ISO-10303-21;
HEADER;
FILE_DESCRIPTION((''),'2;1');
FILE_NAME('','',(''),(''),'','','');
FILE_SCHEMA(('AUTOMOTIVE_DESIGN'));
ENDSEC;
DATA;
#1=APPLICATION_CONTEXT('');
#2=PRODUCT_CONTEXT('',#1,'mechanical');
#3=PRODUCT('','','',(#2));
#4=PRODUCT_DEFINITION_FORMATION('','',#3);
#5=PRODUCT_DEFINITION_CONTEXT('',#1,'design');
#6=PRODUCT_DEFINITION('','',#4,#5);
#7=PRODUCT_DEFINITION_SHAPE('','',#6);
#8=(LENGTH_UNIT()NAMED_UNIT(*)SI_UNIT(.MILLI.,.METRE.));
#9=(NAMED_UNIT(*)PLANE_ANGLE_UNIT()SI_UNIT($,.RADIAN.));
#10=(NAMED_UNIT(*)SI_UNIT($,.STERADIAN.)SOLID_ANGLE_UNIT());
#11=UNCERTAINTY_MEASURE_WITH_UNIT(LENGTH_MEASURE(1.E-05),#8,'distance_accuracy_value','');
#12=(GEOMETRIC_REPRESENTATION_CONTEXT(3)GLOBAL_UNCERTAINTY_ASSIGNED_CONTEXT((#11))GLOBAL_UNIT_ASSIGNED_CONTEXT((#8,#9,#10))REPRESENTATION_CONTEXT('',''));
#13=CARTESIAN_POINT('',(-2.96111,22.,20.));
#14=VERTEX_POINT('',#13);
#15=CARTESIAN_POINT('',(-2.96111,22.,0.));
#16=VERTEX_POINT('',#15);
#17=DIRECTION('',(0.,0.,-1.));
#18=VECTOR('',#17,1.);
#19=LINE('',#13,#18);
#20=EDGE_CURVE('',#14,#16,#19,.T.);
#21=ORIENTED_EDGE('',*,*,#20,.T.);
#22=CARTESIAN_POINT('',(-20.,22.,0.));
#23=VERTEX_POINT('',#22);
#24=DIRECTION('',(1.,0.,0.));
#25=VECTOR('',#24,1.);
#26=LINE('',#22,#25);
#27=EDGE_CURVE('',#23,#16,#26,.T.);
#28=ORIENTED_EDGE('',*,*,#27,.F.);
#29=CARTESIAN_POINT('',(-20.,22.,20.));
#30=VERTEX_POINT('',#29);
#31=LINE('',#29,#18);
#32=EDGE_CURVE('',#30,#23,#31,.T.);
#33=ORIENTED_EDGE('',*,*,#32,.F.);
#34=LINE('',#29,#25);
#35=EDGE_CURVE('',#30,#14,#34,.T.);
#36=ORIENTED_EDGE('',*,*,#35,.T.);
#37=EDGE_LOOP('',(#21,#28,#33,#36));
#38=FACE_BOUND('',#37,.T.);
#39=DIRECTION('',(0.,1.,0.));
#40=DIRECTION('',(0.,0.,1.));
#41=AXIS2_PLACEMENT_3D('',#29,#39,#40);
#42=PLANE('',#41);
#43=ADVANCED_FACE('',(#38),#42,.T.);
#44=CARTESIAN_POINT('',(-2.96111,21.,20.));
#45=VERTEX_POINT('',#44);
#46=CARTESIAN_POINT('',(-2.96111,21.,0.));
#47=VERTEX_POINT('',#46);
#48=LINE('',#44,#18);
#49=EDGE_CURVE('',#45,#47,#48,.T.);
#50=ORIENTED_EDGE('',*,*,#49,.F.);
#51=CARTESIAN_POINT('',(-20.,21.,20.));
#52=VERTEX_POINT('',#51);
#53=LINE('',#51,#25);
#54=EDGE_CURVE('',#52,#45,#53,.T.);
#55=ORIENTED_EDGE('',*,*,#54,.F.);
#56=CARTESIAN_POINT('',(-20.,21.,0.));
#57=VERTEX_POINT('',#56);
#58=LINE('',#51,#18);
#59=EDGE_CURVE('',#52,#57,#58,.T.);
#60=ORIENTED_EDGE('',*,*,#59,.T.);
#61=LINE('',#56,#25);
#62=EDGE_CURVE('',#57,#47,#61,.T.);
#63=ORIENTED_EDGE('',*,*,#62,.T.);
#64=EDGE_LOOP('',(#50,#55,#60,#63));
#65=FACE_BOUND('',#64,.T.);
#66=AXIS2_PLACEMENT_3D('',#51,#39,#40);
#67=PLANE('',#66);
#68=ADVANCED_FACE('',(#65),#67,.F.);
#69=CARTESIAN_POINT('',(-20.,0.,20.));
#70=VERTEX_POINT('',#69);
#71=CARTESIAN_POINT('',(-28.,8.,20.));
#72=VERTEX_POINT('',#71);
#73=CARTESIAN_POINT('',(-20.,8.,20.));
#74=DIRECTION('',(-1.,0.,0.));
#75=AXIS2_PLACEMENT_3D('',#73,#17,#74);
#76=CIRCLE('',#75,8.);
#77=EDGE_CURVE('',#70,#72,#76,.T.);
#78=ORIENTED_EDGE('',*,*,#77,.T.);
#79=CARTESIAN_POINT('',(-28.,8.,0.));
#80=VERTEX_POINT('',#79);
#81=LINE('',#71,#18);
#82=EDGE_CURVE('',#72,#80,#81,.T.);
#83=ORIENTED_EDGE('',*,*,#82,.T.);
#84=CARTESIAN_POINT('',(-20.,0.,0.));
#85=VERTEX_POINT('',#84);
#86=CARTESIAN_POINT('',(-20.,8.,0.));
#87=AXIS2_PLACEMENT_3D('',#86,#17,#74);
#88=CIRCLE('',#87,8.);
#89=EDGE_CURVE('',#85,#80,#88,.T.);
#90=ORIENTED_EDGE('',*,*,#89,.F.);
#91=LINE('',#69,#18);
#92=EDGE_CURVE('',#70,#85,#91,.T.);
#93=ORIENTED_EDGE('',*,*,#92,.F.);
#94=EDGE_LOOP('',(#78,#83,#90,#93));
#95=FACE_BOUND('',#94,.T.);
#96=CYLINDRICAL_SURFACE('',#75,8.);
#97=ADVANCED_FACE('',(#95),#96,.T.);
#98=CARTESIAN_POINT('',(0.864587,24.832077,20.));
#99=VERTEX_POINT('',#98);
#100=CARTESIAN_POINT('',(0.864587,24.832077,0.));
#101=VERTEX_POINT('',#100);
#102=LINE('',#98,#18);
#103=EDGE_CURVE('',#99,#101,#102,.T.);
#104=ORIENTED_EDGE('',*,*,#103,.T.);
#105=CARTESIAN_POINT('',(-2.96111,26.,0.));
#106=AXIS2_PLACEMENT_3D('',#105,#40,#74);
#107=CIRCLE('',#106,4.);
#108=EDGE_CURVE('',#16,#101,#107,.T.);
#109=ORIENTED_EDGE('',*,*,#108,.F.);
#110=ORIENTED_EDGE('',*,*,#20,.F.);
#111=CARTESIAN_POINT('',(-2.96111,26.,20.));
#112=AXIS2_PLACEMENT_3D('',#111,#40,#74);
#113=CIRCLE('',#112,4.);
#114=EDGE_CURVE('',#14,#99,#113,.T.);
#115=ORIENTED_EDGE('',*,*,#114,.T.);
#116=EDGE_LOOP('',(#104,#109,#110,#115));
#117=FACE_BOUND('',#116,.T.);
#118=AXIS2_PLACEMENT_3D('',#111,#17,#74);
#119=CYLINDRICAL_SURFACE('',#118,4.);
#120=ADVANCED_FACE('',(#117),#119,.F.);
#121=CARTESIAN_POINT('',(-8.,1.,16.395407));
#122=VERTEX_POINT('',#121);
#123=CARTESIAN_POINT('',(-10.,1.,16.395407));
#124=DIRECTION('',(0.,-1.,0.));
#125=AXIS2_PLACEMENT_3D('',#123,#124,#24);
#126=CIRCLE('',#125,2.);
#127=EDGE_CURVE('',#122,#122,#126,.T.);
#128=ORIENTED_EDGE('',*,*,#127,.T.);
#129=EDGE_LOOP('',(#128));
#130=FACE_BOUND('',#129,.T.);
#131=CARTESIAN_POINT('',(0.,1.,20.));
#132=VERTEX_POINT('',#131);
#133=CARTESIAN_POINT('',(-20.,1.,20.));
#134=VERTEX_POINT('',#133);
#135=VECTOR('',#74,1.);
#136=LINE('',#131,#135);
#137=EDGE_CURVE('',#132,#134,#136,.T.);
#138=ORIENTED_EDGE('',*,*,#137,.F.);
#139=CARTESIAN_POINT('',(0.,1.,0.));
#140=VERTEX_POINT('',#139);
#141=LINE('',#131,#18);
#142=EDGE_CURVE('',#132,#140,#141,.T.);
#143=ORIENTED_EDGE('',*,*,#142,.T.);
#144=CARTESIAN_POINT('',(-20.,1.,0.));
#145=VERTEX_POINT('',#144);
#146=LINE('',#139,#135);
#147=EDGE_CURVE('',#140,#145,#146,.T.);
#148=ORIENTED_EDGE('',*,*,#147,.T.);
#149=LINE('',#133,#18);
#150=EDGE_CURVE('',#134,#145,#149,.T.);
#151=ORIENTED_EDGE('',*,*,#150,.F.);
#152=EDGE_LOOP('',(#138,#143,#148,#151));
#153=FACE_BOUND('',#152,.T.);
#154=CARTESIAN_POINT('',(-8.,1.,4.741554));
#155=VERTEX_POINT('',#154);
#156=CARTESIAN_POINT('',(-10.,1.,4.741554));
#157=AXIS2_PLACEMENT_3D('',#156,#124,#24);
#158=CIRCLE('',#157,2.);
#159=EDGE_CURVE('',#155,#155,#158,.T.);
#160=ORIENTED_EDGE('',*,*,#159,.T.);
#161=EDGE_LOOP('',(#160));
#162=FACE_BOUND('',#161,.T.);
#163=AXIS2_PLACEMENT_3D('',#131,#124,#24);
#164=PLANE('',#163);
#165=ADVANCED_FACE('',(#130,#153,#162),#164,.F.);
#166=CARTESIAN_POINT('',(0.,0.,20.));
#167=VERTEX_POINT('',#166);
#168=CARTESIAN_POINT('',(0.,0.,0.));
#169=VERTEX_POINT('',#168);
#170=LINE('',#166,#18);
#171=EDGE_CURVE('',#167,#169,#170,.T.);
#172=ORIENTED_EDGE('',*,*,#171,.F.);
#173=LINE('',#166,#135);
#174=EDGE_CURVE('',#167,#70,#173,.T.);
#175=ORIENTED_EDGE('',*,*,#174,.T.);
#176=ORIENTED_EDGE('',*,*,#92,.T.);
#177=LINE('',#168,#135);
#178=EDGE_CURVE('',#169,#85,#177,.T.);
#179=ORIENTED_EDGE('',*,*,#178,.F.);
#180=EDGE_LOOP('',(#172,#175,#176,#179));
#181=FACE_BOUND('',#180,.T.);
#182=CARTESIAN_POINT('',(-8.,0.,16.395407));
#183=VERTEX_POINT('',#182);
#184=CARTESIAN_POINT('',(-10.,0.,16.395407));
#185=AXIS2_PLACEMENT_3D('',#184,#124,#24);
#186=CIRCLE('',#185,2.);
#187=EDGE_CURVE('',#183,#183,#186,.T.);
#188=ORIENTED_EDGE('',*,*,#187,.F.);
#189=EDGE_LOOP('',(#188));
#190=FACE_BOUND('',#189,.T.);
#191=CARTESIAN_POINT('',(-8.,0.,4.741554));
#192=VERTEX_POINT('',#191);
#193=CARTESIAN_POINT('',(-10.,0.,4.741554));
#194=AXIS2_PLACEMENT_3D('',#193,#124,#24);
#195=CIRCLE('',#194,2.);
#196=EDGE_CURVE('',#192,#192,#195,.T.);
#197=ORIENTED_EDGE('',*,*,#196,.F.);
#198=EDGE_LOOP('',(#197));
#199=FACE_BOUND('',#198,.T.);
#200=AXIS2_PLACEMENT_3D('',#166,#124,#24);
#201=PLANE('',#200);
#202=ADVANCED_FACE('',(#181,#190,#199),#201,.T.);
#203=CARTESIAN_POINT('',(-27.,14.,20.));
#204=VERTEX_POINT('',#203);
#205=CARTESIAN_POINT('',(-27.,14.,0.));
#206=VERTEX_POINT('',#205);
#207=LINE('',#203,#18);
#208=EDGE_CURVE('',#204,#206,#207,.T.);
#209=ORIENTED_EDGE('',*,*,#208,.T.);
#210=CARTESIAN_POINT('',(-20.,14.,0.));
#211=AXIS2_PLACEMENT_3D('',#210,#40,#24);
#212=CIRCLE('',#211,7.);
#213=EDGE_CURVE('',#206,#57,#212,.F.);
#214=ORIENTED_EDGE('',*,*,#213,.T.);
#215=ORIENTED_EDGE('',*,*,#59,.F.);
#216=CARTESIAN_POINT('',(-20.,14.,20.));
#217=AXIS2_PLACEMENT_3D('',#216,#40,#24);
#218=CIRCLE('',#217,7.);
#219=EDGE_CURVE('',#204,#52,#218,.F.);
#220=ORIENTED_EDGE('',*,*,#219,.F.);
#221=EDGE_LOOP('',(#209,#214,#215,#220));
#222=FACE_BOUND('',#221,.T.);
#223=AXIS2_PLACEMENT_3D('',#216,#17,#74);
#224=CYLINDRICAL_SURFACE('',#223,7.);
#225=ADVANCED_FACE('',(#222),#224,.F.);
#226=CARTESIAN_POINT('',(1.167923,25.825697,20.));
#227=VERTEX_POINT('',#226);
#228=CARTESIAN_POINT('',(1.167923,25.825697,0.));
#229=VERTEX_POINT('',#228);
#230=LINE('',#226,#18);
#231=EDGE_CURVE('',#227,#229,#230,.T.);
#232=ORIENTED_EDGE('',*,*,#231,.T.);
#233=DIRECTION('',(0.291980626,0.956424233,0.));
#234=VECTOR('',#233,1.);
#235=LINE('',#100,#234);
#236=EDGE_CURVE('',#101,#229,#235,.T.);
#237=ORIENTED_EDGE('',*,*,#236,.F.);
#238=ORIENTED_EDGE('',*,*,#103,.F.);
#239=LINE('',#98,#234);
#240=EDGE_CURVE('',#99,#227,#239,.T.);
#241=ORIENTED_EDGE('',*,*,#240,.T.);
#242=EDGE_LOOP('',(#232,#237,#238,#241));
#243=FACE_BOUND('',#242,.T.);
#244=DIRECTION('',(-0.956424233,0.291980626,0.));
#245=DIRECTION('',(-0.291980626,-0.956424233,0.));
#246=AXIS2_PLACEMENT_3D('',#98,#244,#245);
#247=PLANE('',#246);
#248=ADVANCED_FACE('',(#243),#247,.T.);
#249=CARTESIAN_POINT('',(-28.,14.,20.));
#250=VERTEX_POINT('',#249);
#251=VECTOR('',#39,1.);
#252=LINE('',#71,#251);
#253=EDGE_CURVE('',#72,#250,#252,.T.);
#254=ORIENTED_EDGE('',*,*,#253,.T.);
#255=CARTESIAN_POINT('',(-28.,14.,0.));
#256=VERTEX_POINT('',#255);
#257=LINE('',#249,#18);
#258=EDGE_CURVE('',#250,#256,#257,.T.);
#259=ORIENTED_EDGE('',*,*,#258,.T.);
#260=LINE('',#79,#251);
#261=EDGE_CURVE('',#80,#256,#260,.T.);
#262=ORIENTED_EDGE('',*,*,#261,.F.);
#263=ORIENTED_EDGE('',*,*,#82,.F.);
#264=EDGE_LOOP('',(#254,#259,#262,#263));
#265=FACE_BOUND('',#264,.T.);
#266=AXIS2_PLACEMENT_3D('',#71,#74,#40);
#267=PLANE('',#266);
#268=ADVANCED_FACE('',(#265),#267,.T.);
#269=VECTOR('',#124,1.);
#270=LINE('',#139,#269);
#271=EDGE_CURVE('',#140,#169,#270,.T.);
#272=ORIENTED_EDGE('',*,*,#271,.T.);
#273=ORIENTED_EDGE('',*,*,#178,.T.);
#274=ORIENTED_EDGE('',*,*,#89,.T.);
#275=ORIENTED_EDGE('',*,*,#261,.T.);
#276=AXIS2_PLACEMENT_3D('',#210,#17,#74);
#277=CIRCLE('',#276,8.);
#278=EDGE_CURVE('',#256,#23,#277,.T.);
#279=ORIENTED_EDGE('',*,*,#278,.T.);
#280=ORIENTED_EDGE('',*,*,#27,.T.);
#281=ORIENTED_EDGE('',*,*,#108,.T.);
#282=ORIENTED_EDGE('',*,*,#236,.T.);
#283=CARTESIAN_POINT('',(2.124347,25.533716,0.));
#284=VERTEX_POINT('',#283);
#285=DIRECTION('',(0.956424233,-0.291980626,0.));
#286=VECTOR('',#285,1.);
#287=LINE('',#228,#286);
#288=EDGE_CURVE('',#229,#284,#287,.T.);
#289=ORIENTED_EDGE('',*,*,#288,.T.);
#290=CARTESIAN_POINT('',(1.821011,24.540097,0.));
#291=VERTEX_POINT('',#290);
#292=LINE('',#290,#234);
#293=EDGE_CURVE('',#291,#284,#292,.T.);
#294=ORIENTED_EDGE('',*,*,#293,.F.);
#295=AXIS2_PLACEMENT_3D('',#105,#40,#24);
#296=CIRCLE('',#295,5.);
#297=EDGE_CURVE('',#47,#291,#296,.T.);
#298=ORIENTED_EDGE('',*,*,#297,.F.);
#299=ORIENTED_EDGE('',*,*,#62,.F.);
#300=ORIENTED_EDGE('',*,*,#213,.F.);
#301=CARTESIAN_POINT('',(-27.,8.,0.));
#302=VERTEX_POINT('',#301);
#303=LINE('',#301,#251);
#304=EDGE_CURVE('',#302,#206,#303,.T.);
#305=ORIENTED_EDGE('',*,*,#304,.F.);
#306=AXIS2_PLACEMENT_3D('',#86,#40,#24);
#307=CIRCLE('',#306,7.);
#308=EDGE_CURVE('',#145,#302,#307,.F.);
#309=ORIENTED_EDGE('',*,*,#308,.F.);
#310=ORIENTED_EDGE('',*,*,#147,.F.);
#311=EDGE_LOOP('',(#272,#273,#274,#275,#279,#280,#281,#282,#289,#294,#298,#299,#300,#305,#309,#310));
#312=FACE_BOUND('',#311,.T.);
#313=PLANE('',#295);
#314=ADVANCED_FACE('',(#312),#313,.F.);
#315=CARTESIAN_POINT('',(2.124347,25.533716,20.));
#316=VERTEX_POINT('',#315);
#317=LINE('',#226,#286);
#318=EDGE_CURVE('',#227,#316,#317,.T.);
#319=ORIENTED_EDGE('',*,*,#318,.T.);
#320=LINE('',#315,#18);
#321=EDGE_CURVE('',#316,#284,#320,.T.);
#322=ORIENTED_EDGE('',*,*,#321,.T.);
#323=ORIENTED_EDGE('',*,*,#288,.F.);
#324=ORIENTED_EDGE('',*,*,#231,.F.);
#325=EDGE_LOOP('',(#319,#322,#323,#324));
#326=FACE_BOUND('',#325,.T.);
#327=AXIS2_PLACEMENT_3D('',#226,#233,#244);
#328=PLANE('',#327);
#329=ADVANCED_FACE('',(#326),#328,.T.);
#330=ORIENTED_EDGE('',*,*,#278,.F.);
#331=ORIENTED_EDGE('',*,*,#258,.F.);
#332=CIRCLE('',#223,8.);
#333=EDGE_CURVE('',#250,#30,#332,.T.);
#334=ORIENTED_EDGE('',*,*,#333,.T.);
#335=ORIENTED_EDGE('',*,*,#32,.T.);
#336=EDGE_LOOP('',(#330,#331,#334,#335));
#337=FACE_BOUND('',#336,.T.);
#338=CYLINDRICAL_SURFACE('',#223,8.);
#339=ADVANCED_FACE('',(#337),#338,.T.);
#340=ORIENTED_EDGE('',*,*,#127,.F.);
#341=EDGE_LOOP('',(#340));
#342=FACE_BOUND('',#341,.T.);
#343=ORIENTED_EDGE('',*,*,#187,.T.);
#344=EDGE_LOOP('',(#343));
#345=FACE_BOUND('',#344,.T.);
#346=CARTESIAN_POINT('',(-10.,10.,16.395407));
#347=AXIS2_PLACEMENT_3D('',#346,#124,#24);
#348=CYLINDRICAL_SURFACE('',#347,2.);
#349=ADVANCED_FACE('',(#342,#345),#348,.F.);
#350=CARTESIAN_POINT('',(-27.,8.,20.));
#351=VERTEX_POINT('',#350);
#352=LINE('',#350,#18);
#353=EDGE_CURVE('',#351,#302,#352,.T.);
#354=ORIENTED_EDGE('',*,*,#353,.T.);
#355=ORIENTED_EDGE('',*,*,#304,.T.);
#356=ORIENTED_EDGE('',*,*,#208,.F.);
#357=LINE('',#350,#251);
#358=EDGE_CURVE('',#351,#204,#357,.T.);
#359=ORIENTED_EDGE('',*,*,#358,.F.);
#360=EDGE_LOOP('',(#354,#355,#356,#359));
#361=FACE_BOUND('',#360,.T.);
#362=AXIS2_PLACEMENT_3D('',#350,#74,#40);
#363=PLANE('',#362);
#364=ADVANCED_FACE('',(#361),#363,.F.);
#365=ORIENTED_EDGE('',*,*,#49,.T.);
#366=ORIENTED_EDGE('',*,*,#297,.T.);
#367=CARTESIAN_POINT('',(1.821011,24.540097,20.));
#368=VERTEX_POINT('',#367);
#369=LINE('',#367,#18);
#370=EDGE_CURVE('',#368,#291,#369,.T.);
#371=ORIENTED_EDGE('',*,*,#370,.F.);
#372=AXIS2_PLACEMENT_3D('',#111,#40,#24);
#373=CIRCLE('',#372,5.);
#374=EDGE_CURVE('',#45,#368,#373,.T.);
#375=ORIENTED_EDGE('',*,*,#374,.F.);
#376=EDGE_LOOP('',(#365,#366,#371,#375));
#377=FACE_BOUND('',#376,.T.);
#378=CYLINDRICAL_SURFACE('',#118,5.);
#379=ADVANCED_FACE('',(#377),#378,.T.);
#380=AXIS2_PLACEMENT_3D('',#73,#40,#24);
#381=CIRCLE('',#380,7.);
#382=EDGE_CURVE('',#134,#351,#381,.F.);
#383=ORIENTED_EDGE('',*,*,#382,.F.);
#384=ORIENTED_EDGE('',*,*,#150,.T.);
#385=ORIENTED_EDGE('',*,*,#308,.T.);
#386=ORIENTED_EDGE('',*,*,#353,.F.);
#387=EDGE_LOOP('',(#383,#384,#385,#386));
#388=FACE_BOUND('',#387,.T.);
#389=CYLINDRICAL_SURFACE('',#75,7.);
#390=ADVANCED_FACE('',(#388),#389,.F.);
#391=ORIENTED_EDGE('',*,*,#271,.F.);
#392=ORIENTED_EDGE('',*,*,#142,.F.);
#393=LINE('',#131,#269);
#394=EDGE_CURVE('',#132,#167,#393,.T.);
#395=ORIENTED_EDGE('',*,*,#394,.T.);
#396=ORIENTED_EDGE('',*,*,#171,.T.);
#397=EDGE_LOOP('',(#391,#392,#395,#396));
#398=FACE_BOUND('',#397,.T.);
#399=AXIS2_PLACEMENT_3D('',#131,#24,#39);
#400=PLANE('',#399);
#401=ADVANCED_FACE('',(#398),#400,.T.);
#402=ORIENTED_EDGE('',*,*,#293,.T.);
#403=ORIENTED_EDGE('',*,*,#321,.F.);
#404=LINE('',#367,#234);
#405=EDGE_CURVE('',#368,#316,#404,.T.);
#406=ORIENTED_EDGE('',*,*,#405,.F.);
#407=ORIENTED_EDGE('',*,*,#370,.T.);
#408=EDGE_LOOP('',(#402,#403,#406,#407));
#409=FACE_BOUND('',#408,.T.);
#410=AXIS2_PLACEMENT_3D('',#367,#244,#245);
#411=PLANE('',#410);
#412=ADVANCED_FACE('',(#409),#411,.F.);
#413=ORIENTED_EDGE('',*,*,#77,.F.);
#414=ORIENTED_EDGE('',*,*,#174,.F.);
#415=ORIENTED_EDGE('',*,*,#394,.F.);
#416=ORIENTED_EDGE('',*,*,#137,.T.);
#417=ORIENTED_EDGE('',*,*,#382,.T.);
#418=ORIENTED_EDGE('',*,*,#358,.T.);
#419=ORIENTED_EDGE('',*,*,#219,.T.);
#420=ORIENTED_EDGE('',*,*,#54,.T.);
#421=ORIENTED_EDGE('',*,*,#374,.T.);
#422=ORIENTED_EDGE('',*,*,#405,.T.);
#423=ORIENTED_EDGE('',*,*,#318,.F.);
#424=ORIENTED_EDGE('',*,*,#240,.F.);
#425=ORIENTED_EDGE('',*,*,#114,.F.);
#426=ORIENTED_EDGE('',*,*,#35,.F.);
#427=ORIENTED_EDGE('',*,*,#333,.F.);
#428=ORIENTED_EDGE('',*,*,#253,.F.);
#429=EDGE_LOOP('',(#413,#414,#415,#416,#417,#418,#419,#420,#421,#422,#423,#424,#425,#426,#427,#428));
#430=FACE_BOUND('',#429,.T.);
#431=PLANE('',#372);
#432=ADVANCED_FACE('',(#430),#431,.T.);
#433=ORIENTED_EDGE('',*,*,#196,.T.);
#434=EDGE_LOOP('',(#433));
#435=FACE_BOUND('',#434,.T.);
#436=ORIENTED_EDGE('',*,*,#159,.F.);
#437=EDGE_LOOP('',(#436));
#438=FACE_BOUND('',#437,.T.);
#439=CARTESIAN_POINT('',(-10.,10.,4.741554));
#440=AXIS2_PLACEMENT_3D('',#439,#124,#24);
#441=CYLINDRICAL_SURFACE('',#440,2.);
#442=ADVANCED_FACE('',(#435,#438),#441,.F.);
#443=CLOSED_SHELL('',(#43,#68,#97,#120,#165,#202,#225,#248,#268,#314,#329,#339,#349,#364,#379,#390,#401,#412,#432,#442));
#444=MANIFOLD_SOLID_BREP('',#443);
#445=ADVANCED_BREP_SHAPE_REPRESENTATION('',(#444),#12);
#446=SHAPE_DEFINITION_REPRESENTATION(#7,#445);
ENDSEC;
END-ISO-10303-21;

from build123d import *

# Parameters (mm, degrees)
EXTRUS_O_FINA1_DEPTH  = 20
ESBO_O3_R             = 2
CORTE_EXTRUS_O1_DEPTH = 10


with BuildPart() as part:
    # Esboço1 → Extrusão-Fina1 (new body)
    with BuildSketch(Plane.XY):
        with BuildLine():
            Line((0, 0), (-20, 0))
            ThreePointArc((-20, 0), (-25.656854249, 2.343145751), (-28, 8))
            Line((-28, 8), (-28, 14))
            ThreePointArc((-28, 14), (-25.656854249, 19.656854249), (-20, 22))
            Line((-20, 22), (-2.961110141, 22))
            ThreePointArc((-2.961110141, 22), (-0.581161614, 22.785059097), (0.864586792, 24.832077496))
            Line((0.864586792, 24.832077496), (1.167922504, 25.825696933))
            Line((1.167922504, 25.825696933), (2.124346737, 25.533716307))
            Line((2.124346737, 25.533716307), (1.821011026, 24.54009687))
            ThreePointArc((1.821011026, 24.54009687), (0.013825518, 21.981323872), (-2.961110141, 21))
            Line((-2.961110141, 21), (-20, 21))
            ThreePointArc((-20, 21), (-24.949747468, 18.949747468), (-27, 14))
            Line((-27, 14), (-27, 8))
            ThreePointArc((-27, 8), (-24.949747468, 3.050252532), (-20, 1))
            Line((-20, 1), (0, 1))
            Line((0, 1), (0, 0))
        make_face()
    extrude(amount=EXTRUS_O_FINA1_DEPTH)

    # Esboço3 → Corte-extrusão1 (cut)
    with BuildSketch(Plane.XZ):
        with Locations((-10, 16.395406789)):
            Circle(ESBO_O3_R)
        with Locations((-10, 4.741554418)):
            Circle(ESBO_O3_R)
    extrude(amount=-CORTE_EXTRUS_O1_DEPTH, mode=Mode.SUBTRACT)


solid = part.part
